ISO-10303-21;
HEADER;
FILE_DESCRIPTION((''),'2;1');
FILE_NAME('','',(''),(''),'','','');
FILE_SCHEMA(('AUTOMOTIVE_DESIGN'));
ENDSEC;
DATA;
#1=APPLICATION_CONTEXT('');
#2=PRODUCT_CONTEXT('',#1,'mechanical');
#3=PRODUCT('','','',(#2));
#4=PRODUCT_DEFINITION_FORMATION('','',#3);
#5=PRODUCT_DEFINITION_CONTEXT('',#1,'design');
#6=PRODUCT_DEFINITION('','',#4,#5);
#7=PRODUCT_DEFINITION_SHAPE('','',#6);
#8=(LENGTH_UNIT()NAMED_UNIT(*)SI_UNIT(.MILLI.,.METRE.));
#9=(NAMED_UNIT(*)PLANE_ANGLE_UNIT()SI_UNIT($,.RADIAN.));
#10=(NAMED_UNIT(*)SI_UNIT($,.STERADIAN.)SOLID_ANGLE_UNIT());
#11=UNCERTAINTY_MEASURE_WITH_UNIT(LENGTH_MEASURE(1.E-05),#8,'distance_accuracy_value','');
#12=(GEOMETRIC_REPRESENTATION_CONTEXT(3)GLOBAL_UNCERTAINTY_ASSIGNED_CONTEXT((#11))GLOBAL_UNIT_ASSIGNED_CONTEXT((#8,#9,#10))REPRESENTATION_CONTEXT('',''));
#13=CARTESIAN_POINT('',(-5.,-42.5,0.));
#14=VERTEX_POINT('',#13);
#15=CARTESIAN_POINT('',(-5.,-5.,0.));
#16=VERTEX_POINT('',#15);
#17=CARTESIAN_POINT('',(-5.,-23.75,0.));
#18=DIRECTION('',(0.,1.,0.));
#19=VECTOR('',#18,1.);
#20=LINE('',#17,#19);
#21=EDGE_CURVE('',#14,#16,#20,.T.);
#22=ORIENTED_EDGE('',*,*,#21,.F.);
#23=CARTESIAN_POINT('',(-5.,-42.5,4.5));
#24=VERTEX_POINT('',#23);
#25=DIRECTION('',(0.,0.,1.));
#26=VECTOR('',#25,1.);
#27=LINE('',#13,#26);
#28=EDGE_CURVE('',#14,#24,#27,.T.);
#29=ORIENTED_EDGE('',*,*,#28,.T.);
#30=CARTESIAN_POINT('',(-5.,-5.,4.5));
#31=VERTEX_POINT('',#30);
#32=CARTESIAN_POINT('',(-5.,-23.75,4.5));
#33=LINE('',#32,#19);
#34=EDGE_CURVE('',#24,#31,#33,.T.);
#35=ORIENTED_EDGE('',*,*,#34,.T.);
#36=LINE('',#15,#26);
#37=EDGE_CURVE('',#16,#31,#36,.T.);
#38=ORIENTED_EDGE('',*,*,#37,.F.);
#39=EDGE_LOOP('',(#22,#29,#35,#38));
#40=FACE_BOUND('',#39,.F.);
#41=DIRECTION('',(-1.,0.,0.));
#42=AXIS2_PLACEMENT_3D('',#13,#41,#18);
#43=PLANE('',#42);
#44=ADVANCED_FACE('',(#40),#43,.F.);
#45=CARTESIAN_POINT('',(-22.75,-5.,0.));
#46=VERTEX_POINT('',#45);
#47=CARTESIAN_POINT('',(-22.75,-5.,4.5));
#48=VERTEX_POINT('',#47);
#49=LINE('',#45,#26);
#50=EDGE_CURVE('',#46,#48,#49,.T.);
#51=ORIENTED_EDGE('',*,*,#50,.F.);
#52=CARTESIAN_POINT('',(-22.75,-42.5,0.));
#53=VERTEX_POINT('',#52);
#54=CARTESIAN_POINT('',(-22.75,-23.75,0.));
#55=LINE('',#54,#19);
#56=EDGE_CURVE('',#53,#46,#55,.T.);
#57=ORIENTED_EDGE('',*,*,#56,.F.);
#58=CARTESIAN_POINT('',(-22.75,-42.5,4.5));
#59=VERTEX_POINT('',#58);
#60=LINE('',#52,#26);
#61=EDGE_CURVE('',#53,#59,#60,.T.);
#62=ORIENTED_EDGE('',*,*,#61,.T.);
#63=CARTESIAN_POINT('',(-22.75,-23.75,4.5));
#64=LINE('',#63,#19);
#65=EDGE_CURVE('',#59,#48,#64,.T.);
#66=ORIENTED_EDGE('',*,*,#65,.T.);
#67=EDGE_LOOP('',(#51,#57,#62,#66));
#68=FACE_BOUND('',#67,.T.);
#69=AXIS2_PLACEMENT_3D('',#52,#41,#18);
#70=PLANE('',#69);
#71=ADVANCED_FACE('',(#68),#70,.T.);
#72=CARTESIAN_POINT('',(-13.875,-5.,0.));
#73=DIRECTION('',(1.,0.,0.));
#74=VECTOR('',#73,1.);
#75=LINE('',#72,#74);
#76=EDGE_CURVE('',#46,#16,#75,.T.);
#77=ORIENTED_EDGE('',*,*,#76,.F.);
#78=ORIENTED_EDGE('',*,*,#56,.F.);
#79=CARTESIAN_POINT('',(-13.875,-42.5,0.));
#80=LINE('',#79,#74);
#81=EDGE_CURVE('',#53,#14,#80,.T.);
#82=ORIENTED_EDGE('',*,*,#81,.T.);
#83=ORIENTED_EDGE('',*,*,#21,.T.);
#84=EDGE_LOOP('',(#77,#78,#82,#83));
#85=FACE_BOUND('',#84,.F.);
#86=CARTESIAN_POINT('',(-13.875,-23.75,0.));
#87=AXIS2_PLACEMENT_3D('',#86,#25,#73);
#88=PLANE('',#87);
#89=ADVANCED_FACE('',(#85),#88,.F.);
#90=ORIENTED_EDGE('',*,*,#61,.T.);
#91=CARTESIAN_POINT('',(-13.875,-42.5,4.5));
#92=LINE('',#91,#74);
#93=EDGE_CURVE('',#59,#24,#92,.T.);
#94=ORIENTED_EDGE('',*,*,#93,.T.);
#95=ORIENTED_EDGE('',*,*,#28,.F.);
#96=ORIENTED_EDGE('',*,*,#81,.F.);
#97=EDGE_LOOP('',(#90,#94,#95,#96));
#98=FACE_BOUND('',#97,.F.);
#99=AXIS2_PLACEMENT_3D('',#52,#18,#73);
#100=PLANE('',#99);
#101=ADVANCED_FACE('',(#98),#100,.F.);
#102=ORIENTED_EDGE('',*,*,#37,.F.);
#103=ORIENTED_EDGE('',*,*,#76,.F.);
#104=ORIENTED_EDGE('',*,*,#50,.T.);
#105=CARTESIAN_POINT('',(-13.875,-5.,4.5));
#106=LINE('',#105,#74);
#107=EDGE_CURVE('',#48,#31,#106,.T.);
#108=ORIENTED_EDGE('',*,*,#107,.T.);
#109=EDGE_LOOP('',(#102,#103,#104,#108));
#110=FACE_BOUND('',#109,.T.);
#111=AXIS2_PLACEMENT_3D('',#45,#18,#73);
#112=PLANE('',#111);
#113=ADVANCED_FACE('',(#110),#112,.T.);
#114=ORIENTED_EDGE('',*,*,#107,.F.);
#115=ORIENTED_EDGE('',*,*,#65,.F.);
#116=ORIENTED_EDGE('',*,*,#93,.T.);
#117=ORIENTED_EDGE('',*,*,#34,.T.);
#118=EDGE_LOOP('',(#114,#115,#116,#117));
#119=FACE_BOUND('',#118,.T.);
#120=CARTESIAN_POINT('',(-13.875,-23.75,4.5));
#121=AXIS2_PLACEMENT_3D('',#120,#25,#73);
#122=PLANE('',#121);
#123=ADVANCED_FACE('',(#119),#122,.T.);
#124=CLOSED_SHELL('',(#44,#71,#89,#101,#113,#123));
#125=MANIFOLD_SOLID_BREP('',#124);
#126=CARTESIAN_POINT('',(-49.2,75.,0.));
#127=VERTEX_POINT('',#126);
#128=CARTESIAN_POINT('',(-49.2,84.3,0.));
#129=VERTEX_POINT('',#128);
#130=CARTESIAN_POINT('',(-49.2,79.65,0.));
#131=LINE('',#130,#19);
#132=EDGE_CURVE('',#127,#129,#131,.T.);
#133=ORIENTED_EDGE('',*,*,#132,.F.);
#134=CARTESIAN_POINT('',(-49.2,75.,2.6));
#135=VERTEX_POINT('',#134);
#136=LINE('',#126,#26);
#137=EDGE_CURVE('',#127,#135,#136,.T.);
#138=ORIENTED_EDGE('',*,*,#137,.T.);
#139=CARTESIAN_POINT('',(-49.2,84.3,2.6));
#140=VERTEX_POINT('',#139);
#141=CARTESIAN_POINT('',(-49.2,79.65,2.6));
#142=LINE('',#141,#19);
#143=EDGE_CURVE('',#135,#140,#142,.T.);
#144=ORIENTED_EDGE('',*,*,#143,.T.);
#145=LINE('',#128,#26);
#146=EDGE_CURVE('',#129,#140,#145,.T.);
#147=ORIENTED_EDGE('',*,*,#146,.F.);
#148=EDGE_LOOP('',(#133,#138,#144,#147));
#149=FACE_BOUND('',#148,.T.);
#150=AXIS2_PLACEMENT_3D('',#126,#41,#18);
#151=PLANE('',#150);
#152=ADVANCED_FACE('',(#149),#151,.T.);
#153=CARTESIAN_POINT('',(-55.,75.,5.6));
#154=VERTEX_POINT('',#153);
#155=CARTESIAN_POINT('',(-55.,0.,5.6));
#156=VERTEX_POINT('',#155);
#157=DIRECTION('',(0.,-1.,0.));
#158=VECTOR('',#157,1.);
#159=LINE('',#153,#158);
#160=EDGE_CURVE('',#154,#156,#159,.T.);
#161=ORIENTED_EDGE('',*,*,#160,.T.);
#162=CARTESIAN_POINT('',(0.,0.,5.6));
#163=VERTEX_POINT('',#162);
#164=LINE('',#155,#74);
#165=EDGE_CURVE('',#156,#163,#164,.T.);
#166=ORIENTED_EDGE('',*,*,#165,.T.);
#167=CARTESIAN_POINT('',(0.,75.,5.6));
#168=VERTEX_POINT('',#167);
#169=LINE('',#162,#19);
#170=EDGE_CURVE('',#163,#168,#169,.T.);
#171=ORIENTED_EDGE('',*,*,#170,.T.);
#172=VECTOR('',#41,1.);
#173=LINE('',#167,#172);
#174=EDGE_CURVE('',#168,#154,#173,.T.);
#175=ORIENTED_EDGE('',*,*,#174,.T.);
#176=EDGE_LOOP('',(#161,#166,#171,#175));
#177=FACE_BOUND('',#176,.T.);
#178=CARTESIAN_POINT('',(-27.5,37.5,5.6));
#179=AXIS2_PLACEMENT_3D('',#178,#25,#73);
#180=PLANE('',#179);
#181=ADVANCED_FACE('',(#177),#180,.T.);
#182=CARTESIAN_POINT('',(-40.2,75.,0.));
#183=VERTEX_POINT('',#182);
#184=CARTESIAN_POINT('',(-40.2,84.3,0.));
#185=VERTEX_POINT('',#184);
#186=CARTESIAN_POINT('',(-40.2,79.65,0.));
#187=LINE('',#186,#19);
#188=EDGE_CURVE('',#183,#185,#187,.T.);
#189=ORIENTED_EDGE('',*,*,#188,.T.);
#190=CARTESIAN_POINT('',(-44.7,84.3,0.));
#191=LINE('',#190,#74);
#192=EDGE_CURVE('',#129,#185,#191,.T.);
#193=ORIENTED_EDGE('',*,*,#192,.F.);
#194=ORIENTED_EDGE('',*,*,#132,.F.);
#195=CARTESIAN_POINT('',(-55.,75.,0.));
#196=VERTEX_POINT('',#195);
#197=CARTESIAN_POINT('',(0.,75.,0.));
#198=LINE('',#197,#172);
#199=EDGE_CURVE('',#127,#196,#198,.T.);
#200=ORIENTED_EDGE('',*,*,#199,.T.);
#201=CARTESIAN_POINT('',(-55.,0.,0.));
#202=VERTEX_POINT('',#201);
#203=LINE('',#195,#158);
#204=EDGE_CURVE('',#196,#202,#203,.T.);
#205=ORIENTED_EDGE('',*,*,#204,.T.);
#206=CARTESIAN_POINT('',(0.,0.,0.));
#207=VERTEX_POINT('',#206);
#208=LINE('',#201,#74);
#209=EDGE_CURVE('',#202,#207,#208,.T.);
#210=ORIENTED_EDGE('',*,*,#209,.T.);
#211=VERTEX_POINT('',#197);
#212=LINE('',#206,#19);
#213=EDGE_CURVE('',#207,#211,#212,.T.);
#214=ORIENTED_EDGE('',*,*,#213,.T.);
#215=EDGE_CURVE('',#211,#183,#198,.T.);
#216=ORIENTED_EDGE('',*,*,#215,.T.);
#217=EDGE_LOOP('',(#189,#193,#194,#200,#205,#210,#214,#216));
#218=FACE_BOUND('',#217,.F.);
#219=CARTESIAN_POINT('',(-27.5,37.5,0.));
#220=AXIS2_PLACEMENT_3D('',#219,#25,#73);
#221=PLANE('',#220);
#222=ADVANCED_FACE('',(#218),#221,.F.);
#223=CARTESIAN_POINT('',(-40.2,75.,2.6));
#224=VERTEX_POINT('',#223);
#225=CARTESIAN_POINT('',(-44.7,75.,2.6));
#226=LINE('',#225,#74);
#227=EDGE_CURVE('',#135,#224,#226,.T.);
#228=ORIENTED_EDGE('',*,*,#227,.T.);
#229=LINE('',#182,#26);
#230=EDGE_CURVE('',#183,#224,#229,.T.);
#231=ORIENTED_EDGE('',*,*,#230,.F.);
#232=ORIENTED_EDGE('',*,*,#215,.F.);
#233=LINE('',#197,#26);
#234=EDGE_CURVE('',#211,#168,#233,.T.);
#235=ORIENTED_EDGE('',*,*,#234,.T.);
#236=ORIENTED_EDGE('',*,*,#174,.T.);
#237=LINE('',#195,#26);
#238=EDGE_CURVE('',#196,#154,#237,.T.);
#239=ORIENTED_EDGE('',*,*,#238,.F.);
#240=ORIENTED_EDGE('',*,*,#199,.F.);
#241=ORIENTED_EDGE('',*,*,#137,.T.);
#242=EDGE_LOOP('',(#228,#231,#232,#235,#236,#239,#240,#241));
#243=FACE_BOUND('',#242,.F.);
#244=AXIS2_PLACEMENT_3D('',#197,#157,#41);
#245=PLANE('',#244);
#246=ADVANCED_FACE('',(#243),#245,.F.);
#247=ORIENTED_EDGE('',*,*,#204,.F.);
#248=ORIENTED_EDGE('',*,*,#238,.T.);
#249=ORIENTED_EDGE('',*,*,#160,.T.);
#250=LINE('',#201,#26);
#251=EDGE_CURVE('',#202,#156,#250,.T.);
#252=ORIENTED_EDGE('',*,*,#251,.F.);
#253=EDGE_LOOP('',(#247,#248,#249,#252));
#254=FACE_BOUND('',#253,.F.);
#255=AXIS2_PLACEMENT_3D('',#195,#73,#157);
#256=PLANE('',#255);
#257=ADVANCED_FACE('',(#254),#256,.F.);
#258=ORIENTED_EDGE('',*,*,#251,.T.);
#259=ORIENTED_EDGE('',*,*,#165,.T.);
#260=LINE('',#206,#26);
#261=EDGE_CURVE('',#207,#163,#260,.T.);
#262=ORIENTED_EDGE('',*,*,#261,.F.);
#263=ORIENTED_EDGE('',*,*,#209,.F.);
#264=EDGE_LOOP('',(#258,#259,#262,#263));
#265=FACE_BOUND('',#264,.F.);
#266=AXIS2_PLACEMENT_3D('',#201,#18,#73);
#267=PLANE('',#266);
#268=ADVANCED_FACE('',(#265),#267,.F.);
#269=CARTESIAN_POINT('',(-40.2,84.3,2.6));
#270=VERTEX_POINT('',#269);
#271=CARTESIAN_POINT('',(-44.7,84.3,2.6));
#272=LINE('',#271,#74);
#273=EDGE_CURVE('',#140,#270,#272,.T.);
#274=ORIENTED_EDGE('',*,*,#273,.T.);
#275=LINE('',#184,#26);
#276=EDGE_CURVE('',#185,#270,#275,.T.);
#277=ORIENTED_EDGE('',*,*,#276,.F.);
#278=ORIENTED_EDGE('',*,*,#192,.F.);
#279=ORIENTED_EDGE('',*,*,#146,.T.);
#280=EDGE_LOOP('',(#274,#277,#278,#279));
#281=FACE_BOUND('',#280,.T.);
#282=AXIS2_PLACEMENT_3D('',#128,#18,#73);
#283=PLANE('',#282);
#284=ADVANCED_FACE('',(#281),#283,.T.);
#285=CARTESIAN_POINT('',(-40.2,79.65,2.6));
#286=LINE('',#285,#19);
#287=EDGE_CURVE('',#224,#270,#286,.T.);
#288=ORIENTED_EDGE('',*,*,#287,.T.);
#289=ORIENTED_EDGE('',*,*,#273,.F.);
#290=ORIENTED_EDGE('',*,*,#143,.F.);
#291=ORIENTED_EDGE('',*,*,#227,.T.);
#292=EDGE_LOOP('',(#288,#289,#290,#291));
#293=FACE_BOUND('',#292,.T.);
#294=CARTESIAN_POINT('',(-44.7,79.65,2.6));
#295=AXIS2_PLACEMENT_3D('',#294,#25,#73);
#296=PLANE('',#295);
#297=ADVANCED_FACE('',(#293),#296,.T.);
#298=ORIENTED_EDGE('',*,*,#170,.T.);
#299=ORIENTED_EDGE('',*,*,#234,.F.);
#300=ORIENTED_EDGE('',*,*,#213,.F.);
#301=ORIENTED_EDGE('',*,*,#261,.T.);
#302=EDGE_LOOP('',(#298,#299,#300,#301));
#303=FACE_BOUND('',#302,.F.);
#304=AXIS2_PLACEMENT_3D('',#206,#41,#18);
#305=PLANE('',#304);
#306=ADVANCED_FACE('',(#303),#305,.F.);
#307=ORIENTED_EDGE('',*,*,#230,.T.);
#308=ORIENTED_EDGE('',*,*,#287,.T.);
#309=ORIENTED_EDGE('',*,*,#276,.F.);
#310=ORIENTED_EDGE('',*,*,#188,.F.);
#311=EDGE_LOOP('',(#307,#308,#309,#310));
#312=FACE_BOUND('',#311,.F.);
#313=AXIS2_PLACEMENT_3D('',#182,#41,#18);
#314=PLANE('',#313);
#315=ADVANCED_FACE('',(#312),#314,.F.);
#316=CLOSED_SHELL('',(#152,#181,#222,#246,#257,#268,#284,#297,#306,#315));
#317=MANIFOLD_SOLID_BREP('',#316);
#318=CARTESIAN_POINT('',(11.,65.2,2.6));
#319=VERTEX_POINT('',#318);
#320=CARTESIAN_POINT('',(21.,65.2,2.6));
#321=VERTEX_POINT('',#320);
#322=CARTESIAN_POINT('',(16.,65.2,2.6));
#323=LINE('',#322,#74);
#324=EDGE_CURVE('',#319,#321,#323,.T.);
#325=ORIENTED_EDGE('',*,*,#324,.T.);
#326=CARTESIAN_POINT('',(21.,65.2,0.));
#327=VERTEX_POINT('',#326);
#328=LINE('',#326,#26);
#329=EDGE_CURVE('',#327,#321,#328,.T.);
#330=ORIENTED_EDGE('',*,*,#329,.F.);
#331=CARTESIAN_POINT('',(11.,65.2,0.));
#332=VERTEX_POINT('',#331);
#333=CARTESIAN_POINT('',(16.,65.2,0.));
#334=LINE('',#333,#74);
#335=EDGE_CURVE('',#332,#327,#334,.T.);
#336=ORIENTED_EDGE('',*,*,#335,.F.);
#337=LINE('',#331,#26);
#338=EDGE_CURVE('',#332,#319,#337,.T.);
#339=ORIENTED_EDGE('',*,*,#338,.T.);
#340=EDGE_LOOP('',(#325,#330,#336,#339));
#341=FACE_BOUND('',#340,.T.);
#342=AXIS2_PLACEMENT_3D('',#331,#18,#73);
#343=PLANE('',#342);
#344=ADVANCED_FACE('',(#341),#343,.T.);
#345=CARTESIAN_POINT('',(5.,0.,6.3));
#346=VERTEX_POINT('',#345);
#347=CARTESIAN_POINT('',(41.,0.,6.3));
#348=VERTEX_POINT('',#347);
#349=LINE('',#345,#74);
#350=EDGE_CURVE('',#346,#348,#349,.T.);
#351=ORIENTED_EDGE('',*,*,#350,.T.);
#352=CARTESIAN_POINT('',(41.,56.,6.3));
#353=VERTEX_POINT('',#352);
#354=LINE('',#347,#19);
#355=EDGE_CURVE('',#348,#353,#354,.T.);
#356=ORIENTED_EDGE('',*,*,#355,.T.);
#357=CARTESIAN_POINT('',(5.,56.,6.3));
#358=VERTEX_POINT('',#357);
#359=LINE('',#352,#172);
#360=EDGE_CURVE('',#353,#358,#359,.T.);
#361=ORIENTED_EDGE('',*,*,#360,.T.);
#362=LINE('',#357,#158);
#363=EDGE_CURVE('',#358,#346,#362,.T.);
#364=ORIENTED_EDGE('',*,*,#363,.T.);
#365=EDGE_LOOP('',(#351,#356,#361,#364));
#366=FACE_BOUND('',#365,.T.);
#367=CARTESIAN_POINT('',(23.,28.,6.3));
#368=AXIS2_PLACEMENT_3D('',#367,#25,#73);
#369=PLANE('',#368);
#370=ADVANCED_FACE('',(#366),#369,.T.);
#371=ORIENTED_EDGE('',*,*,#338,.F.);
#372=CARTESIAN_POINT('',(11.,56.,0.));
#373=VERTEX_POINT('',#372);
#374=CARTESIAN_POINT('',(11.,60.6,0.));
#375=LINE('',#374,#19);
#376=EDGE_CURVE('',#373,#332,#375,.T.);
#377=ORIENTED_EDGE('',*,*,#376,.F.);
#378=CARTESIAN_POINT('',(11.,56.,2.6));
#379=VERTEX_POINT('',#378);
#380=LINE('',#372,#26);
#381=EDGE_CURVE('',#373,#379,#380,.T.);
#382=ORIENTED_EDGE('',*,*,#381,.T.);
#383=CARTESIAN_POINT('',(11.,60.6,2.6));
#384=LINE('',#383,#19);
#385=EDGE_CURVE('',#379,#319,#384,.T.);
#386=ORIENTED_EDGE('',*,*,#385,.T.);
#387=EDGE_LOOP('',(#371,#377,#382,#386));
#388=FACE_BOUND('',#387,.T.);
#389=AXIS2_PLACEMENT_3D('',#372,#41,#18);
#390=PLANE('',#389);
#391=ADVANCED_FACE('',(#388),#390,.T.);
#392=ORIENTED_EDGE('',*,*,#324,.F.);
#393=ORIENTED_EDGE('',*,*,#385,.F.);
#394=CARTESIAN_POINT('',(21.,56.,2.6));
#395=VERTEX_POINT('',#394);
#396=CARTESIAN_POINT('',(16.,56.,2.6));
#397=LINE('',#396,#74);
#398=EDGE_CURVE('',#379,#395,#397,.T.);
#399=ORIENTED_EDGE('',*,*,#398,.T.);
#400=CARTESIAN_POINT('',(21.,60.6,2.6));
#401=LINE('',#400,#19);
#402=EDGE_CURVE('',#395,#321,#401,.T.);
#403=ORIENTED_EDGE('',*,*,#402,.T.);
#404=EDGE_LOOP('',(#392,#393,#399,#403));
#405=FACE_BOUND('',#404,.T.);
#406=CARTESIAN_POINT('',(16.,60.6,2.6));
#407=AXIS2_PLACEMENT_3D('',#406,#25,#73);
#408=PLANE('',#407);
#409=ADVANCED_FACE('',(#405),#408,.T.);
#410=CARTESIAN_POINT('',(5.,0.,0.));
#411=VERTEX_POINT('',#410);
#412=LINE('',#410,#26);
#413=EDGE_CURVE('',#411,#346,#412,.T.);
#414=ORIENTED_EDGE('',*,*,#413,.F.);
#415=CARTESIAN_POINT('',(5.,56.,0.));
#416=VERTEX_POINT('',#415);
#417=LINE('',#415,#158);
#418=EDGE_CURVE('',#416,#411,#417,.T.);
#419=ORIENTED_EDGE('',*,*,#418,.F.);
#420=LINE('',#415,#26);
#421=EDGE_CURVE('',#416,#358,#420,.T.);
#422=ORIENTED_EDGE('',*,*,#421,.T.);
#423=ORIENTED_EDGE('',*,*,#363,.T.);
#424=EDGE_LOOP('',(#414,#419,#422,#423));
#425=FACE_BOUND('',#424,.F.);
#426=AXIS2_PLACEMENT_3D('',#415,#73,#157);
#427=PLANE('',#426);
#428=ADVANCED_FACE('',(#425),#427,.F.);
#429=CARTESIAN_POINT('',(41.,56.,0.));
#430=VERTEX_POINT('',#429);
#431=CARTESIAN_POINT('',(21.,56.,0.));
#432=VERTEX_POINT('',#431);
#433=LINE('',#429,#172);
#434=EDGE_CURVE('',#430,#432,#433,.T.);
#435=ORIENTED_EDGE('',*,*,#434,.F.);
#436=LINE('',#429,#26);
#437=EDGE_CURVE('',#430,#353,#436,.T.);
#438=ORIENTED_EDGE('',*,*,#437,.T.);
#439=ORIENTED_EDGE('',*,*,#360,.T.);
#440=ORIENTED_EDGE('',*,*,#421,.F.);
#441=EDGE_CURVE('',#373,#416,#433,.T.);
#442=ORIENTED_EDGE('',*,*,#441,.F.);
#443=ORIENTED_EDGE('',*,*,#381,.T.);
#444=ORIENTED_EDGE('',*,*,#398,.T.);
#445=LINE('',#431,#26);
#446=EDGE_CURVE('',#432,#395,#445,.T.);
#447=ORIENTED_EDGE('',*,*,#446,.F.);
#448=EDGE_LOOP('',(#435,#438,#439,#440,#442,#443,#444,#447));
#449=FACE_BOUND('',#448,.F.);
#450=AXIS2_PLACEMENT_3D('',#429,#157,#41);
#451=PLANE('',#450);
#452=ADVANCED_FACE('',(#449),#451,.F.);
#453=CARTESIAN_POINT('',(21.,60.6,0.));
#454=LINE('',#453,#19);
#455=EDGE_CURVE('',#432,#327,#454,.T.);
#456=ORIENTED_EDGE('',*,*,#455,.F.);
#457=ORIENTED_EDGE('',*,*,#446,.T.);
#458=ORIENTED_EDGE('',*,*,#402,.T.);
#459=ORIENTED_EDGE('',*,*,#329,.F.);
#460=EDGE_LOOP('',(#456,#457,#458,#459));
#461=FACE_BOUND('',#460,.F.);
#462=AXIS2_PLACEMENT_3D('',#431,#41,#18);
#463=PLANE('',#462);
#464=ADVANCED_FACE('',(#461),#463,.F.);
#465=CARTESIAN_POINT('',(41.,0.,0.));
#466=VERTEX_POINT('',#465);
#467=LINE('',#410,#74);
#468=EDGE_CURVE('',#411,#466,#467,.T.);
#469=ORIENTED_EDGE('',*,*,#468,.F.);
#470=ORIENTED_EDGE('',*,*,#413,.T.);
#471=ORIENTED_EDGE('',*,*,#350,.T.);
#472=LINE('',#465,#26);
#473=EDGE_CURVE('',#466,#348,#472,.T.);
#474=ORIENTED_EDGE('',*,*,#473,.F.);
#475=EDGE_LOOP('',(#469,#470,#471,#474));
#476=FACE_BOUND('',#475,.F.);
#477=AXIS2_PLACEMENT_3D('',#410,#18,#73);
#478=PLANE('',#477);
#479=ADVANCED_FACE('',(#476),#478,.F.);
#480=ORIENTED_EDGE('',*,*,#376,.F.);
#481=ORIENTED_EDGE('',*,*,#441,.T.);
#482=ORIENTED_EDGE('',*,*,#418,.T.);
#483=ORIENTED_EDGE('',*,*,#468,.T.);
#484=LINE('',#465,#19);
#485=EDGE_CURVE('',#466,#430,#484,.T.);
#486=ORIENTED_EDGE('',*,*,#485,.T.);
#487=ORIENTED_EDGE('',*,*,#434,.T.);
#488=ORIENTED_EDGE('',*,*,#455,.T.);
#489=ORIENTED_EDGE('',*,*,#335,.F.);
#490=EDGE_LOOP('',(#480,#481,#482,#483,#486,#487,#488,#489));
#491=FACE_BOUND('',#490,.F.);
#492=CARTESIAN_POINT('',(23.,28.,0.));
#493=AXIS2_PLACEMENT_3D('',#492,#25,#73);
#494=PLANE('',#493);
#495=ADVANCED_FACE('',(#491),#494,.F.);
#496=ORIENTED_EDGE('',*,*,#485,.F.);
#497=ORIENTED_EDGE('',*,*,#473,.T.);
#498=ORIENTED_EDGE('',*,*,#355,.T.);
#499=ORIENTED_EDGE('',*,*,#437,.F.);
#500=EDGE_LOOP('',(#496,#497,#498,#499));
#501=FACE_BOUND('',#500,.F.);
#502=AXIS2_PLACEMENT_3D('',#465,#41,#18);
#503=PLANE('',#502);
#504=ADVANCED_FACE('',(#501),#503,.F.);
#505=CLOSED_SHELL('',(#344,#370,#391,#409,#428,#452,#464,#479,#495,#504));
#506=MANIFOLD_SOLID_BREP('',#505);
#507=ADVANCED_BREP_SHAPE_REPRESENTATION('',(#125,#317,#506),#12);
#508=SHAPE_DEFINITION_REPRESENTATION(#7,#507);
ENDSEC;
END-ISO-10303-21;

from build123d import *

# Parameters (mm, degrees)
F1_DEPTH = 5.6
F0_W     = 9
F0_H     = 9.3
F2_DEPTH = 2.6
F4_DEPTH = 6.3
F3_W     = 10
F3_H     = 9.2
F5_DEPTH = 2.6
F6_W     = 17.75
F6_H     = 37.5
F7_DEPTH = 4.5


with BuildPart() as f1:
    # F0 (on Top) → F1 (new body)
    with BuildSketch(Plane.XY):
        Polygon((-55, 0), (0, 0), (0, 75), (-40.2, 75), (-49.2, 75), (-55, 75), align=None)
    extrude(amount=F1_DEPTH)

    # F0 (on Top) → F2 (join)
    with BuildSketch(Plane.XY):
        with Locations((-44.7, 79.65)):
            Rectangle(F0_W, F0_H)
    extrude(amount=F2_DEPTH)


with BuildPart() as f4:
    # F3 (on Top) → F4 (new body)
    with BuildSketch(Plane.XY):
        Polygon((5, 56), (5, 0), (41, 0), (41, 56), (21, 56), (11, 56), align=None)
    extrude(amount=F4_DEPTH)

    # F3 (on Top) → F5 (join)
    with BuildSketch(Plane.XY):
        with Locations((16, 60.6)):
            Rectangle(F3_W, F3_H)
    extrude(amount=F5_DEPTH)


with BuildPart() as f7:
    # F6 (on Top) → F7 (new body)
    with BuildSketch(Plane.XY):
        with Locations((-13.875, -23.75)):
            Rectangle(F6_W, F6_H)
    extrude(amount=F7_DEPTH)


solid = Compound([f1.part, f4.part, f7.part])
